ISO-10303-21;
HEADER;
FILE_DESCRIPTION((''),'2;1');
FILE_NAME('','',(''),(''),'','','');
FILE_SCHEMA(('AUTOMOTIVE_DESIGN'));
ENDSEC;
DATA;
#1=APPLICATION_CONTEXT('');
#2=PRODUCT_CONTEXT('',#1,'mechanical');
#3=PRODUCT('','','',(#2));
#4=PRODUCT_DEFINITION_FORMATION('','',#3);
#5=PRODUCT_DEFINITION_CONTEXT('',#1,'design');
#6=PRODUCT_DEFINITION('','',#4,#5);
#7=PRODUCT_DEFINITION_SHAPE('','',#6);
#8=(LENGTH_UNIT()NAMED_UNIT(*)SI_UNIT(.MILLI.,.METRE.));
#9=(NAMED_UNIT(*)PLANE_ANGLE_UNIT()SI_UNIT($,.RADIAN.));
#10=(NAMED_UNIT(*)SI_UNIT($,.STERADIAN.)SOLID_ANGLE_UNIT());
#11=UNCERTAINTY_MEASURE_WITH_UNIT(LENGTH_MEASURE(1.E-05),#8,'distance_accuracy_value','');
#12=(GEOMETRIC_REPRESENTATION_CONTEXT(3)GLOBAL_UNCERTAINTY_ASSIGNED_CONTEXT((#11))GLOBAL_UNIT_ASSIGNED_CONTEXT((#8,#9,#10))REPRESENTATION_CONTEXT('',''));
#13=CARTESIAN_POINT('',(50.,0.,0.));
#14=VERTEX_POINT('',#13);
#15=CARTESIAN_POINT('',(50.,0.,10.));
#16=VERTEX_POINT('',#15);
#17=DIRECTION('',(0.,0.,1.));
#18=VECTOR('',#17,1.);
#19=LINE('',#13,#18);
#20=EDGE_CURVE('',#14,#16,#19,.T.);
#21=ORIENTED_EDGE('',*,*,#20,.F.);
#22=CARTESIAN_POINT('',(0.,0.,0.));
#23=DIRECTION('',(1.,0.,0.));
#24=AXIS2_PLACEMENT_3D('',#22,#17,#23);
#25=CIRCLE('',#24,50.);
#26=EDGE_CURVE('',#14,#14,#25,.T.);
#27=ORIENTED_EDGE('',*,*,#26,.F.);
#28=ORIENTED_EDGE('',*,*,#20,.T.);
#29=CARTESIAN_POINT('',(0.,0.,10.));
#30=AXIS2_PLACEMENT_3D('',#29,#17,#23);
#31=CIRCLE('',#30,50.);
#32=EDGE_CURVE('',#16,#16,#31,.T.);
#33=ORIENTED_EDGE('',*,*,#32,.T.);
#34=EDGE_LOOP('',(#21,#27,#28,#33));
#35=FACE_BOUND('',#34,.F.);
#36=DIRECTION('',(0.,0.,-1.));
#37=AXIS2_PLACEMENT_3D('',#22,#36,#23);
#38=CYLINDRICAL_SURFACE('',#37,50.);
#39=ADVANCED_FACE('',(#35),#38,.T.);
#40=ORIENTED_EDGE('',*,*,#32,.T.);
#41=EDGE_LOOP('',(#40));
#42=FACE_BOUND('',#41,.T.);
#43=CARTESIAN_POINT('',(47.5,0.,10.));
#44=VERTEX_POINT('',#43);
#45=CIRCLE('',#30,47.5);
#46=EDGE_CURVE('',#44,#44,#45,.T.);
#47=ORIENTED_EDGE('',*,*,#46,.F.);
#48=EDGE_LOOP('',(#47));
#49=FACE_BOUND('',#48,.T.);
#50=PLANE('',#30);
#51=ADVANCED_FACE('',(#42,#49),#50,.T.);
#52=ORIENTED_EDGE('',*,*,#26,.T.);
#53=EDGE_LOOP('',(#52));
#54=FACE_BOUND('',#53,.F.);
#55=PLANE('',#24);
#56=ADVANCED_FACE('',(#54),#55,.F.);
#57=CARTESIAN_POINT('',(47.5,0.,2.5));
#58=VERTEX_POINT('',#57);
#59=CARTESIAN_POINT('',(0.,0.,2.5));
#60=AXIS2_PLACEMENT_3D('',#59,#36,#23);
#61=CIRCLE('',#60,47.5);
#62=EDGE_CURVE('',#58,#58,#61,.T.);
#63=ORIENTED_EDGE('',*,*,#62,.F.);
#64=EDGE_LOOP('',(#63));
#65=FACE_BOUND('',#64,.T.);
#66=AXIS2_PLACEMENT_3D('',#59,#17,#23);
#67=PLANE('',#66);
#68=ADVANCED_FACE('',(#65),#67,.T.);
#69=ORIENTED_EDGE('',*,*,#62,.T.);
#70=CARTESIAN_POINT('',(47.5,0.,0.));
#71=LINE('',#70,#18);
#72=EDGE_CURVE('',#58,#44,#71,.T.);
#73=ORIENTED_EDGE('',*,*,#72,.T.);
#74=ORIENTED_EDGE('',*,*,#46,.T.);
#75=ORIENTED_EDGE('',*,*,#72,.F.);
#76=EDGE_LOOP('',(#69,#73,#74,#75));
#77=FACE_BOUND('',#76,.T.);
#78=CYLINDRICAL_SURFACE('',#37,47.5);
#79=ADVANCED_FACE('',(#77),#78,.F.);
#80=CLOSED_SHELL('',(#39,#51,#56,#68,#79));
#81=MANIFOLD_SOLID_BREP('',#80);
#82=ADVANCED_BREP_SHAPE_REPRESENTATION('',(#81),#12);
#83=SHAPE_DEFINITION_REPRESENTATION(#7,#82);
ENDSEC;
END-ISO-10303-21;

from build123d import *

# Parameters (mm, degrees)
F0_R     = 50
F0_R_2   = 45
F1_DEPTH = 10
F2_T     = -2.5


with BuildPart() as f1:
    # F0 (on Top) → F1 (new body)
    with BuildSketch(Plane.XY):
        Circle(F0_R)
        Circle(F0_R_2, mode=Mode.SUBTRACT)
        Circle(F0_R_2)
    extrude(amount=F1_DEPTH)

    # F2
    f2_openings = [f1.faces().sort_by_distance(p)[0] for p in [
        (0, 0, 10),
    ]]
    offset(amount=F2_T, openings=f2_openings)


solid = f1.part
